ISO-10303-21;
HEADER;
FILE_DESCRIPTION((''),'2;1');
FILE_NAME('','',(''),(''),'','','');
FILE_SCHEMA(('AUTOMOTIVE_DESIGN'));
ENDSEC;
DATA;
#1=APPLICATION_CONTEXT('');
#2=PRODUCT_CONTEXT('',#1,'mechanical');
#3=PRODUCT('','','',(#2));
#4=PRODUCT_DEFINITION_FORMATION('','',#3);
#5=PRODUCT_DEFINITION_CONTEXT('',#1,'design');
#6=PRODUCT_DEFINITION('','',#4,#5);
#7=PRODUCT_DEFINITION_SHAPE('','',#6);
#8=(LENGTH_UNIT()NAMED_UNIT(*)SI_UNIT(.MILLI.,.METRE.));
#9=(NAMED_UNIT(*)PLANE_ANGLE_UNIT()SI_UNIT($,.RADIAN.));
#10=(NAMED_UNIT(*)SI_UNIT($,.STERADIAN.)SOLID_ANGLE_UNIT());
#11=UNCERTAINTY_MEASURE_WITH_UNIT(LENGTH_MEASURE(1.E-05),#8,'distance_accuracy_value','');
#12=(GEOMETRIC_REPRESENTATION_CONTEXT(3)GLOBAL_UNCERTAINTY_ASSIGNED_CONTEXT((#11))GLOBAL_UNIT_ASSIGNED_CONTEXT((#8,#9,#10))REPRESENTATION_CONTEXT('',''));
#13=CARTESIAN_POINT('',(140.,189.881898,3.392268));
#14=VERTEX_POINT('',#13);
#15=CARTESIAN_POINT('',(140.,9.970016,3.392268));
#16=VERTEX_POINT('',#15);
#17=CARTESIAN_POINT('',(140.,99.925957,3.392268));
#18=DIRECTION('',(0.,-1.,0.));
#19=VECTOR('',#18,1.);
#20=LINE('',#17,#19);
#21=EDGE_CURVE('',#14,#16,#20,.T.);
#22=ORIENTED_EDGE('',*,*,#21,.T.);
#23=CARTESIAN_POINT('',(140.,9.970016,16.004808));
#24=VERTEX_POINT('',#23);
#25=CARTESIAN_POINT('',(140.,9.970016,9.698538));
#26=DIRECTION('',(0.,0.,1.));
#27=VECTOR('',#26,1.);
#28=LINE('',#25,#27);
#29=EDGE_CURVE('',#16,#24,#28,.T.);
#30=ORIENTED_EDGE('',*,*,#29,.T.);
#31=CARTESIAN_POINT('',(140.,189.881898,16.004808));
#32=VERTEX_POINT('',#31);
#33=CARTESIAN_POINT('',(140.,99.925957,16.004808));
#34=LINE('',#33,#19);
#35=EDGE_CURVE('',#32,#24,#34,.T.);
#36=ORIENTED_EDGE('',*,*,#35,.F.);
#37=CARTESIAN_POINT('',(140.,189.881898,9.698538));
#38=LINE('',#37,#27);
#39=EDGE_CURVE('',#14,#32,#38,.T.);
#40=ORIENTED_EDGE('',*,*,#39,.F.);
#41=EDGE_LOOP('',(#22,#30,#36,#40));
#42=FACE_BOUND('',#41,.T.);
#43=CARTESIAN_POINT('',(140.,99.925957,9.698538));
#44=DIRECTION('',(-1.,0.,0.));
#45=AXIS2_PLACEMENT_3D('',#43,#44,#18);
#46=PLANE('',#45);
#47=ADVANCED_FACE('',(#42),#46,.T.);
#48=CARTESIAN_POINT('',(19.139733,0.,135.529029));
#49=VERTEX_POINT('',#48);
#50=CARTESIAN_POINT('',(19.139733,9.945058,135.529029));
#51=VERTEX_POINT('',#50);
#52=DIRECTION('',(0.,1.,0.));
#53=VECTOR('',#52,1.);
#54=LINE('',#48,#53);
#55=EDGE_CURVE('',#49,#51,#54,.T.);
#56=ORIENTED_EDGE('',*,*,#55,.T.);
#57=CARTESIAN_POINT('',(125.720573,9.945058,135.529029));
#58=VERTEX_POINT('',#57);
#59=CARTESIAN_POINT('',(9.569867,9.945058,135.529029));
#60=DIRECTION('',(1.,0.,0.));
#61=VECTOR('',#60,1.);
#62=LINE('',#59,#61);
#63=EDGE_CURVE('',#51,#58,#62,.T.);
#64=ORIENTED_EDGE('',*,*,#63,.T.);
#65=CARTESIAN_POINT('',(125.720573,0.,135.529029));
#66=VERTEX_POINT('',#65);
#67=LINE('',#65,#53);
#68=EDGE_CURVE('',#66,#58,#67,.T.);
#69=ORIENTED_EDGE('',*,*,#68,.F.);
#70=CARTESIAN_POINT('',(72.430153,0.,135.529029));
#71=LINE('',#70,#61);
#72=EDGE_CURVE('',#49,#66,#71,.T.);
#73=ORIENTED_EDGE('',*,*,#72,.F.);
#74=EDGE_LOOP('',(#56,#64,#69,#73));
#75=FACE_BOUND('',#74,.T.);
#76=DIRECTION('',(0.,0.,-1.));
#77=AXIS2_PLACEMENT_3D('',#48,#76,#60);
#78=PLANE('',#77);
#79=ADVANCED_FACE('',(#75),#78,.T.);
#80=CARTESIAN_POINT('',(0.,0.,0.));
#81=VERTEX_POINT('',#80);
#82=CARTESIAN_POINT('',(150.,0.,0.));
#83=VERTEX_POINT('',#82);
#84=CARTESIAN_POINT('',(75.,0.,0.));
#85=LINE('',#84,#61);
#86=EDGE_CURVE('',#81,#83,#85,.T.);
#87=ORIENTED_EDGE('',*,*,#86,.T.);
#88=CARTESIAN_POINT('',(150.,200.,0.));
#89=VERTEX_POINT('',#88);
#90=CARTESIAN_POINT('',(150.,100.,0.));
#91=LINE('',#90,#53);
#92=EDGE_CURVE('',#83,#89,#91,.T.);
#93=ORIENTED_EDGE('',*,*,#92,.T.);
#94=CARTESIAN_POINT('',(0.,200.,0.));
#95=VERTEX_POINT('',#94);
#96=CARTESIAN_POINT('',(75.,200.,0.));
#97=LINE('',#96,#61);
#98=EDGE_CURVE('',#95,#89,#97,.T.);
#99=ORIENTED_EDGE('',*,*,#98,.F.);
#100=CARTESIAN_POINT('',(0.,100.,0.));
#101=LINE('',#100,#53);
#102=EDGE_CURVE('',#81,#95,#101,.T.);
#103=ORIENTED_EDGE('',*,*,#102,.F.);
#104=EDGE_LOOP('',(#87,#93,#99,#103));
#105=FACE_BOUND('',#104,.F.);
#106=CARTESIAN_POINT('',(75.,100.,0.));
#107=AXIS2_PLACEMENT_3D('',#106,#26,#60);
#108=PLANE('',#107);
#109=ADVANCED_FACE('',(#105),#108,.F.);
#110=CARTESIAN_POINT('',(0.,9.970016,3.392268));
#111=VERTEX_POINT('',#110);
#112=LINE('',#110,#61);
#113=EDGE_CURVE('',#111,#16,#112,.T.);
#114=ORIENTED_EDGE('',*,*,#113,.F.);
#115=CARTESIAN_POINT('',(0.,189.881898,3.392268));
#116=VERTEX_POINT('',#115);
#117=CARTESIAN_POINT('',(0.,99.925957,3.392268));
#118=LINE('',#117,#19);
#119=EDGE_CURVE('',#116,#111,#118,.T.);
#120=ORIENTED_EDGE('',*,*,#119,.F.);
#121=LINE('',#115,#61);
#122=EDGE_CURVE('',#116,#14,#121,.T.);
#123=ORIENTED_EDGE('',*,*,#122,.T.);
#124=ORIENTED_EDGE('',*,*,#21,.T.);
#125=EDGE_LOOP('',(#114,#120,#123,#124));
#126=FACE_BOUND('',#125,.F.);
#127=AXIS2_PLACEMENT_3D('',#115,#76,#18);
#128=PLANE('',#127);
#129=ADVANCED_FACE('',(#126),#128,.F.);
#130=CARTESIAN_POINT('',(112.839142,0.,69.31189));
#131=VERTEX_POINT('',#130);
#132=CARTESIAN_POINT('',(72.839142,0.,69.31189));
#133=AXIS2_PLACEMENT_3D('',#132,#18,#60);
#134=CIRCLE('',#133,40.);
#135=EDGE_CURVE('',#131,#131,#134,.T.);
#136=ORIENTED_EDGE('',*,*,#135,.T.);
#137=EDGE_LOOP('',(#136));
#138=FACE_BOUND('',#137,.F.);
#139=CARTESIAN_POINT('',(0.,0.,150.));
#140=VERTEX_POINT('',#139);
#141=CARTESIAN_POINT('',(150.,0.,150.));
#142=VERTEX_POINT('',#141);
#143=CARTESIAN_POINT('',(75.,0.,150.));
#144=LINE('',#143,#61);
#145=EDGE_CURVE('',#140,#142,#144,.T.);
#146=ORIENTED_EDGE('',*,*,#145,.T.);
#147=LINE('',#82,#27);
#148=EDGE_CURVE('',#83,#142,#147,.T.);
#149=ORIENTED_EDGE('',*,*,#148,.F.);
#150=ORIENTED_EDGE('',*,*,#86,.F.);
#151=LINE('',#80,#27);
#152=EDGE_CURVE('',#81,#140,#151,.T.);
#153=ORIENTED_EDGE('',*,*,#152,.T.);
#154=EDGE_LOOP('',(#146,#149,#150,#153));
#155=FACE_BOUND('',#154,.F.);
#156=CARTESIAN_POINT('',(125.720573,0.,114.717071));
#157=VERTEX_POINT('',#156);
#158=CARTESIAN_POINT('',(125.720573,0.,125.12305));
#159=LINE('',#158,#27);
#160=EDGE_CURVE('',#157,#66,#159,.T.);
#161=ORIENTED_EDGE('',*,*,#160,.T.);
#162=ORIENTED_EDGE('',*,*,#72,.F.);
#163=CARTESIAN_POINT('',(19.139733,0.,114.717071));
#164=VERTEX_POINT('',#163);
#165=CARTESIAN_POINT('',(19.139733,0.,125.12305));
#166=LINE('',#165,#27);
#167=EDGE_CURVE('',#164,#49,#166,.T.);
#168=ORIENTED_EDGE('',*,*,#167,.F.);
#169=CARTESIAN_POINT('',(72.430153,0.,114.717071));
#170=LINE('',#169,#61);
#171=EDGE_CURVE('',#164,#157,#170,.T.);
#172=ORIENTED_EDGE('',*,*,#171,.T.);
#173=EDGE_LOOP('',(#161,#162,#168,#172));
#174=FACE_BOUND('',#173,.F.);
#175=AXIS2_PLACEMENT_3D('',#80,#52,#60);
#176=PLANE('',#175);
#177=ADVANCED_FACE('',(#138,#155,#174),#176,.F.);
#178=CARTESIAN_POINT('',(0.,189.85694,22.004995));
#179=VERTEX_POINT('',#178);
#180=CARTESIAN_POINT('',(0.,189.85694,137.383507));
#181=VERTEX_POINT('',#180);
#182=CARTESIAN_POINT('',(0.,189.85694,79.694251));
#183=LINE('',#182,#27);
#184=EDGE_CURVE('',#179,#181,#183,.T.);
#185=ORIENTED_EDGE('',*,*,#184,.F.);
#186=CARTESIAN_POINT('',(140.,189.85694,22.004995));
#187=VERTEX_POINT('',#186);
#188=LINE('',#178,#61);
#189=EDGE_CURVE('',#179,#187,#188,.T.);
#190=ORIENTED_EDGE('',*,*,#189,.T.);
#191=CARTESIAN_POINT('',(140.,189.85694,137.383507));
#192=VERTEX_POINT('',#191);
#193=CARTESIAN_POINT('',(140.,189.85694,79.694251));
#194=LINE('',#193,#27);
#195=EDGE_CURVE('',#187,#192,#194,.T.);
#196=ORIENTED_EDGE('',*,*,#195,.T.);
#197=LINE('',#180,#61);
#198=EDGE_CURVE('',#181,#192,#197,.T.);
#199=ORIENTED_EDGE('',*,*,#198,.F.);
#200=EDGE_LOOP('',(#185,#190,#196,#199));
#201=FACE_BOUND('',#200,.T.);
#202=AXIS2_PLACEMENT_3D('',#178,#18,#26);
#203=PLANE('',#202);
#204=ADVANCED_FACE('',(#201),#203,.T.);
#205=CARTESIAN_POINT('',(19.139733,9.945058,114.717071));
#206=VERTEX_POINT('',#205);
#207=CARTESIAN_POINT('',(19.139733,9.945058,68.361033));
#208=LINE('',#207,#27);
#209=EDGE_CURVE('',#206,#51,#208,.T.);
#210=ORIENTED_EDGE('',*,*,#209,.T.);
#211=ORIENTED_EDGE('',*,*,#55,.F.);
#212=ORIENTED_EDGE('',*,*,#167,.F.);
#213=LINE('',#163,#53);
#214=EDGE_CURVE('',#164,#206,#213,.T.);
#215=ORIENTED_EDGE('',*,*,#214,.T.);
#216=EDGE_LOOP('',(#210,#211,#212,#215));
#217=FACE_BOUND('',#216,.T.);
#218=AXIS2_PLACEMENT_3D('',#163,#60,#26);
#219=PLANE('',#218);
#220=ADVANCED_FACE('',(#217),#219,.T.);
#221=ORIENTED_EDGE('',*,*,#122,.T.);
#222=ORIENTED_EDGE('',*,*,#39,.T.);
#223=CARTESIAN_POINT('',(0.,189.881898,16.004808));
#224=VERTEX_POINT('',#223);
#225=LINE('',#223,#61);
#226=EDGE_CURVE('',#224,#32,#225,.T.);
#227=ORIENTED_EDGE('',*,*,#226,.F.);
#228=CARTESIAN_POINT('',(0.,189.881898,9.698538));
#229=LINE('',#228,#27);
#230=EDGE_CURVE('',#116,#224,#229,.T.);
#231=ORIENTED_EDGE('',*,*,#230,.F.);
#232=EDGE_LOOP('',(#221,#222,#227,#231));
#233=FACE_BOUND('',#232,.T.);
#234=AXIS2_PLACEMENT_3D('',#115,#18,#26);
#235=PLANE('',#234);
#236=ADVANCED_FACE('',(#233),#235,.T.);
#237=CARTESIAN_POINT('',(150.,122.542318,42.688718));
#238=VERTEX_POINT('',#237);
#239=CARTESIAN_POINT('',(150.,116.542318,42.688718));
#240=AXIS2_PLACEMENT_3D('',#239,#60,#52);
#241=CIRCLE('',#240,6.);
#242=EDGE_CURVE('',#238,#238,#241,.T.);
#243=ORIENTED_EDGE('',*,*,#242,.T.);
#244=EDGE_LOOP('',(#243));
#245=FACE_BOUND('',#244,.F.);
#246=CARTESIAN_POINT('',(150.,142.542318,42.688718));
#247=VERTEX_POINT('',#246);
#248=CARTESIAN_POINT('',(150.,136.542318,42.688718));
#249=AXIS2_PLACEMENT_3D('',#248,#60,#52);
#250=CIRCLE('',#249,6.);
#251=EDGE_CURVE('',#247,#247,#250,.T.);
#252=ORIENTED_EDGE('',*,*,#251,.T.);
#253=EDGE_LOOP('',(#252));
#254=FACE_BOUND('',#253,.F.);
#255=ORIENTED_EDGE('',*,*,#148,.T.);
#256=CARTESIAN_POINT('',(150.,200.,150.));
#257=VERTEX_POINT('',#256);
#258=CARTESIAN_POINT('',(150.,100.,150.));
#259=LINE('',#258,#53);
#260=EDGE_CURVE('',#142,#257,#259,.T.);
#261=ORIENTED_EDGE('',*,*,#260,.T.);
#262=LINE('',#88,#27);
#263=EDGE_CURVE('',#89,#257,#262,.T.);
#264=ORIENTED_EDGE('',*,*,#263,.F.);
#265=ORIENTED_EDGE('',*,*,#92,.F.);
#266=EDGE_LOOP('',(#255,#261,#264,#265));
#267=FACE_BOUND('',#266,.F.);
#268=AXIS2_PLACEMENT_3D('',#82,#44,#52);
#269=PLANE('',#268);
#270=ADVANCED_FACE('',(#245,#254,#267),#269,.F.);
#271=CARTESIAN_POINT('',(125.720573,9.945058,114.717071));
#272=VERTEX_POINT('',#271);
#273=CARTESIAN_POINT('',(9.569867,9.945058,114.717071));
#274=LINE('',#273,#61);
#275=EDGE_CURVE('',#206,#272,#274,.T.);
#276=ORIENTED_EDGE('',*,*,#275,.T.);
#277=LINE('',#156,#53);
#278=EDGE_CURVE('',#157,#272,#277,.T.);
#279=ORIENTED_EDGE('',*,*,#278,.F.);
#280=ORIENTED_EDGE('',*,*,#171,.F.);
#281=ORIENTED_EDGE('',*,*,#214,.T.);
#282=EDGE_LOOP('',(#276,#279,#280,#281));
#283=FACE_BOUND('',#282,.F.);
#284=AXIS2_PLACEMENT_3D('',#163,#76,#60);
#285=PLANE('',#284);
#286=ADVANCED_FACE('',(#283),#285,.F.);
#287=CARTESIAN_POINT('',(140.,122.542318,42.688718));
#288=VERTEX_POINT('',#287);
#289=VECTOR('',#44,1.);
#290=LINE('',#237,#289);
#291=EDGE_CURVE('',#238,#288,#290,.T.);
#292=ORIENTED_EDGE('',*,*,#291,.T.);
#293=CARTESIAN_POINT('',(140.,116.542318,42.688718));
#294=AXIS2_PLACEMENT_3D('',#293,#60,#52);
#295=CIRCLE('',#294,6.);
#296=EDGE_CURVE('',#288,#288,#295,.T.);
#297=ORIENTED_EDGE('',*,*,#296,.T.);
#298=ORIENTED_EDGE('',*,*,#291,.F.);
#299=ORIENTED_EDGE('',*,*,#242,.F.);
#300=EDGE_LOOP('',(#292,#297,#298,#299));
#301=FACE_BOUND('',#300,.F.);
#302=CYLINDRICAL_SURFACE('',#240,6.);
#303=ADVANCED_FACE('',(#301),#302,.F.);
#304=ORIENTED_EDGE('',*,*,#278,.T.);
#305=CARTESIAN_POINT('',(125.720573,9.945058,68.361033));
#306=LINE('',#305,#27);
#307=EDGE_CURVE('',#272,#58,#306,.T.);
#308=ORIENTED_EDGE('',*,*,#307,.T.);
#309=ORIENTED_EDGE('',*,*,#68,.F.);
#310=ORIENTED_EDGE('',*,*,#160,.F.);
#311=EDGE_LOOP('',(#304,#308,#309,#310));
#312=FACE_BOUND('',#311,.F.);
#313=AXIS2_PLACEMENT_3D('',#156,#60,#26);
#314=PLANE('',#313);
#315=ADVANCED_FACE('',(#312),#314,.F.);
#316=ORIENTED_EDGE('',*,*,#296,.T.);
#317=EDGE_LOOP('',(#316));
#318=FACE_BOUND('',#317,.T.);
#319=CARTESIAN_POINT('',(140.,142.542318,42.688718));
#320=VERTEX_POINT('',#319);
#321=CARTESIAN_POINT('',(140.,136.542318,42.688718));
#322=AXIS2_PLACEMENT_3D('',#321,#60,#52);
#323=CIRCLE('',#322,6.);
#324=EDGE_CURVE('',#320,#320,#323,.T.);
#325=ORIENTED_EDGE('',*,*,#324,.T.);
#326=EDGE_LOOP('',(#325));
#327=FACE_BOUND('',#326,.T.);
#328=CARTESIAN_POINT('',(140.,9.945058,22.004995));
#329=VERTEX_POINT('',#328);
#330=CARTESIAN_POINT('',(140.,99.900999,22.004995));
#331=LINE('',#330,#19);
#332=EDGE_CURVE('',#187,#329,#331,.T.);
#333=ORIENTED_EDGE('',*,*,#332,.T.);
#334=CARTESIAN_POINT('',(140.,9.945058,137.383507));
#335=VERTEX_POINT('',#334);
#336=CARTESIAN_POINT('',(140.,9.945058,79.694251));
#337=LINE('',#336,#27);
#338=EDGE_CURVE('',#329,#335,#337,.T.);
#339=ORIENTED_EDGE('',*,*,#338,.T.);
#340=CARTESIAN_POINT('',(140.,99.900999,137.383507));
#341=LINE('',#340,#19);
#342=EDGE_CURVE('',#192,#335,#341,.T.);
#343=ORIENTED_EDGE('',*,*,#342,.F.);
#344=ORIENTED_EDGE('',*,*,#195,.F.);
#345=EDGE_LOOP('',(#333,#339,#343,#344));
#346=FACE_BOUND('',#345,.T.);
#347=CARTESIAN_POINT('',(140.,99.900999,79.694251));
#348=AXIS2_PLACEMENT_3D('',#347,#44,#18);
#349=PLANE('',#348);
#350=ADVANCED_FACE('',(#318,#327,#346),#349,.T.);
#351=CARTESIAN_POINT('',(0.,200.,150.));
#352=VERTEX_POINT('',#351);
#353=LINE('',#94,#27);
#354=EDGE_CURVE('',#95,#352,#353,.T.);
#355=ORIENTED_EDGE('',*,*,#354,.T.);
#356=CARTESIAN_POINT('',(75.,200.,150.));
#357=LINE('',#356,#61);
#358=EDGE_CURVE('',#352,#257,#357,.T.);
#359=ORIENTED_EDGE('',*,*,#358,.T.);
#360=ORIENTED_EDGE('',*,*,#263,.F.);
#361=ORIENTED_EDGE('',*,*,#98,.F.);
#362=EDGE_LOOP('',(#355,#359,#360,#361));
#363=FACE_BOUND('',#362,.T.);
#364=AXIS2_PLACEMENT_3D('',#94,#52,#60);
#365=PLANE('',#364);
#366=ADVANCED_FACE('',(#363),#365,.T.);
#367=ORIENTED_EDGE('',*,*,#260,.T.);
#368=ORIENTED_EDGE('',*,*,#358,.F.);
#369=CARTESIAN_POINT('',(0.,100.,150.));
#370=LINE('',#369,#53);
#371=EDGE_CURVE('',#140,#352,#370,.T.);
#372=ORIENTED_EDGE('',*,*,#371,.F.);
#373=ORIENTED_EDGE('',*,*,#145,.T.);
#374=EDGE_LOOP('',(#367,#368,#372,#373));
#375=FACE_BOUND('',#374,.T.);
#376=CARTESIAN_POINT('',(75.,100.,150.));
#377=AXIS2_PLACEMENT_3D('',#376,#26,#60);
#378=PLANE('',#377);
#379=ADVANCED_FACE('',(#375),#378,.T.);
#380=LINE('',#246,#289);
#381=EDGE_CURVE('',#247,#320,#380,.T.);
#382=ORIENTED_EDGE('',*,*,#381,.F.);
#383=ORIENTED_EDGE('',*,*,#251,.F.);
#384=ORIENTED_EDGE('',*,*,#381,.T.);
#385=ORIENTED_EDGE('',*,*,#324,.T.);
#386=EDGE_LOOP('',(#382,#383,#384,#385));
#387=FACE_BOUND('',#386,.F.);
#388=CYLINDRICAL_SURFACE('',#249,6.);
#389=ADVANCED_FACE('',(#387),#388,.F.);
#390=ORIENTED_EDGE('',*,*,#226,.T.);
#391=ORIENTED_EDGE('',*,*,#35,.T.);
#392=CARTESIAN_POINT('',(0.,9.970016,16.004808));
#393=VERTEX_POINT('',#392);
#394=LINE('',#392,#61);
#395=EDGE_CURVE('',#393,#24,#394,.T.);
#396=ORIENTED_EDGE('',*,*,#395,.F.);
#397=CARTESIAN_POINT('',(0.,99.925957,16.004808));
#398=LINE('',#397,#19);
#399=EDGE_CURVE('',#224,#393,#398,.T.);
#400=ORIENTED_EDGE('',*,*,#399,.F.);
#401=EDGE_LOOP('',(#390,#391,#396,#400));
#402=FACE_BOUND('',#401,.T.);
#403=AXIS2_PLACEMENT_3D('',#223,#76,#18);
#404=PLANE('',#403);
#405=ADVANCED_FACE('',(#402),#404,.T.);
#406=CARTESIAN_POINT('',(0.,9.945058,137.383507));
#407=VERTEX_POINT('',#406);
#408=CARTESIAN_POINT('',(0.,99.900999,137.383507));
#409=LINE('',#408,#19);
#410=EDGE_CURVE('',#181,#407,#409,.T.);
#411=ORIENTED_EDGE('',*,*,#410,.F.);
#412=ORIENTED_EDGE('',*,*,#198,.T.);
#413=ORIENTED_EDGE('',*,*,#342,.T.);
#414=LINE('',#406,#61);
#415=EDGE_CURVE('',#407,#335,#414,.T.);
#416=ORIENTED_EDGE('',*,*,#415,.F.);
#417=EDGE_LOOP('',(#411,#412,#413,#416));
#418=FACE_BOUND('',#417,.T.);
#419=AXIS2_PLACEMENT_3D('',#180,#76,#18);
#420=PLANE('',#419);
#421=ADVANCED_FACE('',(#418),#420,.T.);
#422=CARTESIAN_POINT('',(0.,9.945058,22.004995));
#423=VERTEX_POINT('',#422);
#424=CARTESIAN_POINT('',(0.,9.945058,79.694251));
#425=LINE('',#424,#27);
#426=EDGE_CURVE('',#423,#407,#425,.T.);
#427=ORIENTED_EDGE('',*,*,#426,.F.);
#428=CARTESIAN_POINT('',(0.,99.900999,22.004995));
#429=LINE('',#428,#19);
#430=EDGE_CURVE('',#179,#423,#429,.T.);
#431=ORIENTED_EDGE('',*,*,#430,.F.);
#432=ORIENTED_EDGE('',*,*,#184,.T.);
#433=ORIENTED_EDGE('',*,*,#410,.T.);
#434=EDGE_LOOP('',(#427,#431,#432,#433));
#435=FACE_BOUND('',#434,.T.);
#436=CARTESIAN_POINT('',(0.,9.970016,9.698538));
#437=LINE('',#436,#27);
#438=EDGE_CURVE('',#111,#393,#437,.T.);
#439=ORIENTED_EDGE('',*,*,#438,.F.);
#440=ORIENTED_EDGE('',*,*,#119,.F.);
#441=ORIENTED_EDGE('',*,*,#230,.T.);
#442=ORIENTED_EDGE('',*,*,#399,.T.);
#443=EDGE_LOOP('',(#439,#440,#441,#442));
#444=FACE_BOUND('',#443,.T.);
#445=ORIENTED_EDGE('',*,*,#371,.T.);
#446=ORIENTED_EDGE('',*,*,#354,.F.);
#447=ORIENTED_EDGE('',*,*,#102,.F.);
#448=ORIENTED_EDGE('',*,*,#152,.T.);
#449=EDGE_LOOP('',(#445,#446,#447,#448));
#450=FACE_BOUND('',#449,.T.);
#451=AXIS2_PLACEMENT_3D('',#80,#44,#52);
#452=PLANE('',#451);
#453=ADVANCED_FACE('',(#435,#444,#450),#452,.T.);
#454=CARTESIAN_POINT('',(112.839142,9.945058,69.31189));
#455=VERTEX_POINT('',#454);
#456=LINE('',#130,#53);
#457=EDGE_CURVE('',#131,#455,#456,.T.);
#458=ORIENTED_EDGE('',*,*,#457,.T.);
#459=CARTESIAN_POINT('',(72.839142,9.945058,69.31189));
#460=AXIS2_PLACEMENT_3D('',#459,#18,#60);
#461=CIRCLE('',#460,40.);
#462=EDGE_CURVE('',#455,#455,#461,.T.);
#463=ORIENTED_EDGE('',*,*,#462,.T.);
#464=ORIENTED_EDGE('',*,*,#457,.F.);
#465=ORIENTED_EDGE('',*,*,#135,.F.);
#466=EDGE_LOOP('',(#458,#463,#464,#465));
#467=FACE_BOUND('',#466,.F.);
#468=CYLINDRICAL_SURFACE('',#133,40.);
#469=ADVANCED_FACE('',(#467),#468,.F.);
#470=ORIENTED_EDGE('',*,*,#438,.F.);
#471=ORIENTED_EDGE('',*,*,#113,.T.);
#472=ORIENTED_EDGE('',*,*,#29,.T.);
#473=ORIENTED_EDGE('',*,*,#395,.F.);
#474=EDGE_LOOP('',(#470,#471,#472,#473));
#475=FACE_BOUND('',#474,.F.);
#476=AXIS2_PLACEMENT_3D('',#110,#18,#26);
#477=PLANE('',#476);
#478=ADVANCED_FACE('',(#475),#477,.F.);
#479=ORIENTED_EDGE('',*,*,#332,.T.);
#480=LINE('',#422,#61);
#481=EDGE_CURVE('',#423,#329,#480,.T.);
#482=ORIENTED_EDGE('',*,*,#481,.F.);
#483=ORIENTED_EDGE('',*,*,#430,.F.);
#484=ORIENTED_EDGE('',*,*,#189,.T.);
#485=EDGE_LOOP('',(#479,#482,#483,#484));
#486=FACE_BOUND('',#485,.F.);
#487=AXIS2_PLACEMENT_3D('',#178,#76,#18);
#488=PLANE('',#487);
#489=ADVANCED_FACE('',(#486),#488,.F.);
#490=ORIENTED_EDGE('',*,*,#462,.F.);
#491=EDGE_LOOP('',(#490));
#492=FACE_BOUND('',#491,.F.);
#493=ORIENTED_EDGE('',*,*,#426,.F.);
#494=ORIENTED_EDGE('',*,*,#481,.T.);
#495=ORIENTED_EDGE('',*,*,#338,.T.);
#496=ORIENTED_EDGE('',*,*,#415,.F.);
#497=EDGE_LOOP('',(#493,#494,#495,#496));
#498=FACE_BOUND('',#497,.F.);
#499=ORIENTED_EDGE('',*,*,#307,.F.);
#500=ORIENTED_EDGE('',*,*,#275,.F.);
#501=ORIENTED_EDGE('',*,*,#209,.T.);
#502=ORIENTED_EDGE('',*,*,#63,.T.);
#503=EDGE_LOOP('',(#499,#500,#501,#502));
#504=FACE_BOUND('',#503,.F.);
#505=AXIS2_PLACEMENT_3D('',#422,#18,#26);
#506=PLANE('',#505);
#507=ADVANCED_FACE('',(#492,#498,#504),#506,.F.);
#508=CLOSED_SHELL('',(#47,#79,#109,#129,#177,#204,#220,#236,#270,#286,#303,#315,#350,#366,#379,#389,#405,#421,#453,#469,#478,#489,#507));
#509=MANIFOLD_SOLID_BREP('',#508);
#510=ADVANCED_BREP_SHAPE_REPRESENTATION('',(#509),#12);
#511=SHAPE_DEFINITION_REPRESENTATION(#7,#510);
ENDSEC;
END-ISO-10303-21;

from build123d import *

# Parameters (mm, degrees)
BOX_W           = 150
BOX_H           = 200
BOX_DEPTH       = 150
SKETCH_W        = 179.911882
SKETCH_H        = 115.378512
SKETCH_W_2      = 179.911881
SKETCH_H_2      = 12.61254
POCKET_DEPTH    = 140
SKETCH001_R     = 40
SKETCH001_W     = 594.158722
SKETCH001_H     = 187.959229
SKETCH001_W_2   = 106.580839
SKETCH001_H_2   = 20.811958
POCKET001_DEPTH = 20
SKETCH002_R     = 6
POCKET002_DEPTH = 20


with BuildPart() as part:
    # Box → Box (new body)
    with BuildSketch(Plane.XY):
        with Locations((75, 100)):
            Rectangle(BOX_W, BOX_H)
    extrude(amount=BOX_DEPTH)

    # Sketch → Pocket (cut)
    with BuildSketch(Plane(origin=(0, 0, 0), x_dir=(0, -1, 0), z_dir=(-1, 0, 0))):
        with Locations((-99.900999, 79.694251)):
            Rectangle(SKETCH_W, SKETCH_H)
        with Locations((-99.925957, 9.698538)):
            Rectangle(SKETCH_W_2, SKETCH_H_2)
    extrude(amount=-POCKET_DEPTH, mode=Mode.SUBTRACT)

    # Sketch001 → Pocket001 (cut)
    with BuildSketch(Plane.XZ):
        with Locations((72.839142, 69.31189)):
            Circle(SKETCH001_R)
        with Locations((757.154067, 877.348939)):
            Rectangle(SKETCH001_W, SKETCH001_H)
        with Locations((72.430153, 125.12305)):
            Rectangle(SKETCH001_W_2, SKETCH001_H_2)
    extrude(amount=-POCKET001_DEPTH, mode=Mode.SUBTRACT)

    # Sketch002 → Pocket002 (cut)
    with BuildSketch(Plane.YZ.offset(150)):
        with Locations((116.542318, 42.688718)):
            Circle(SKETCH002_R)
        with Locations((136.542318, 42.688718)):
            Circle(SKETCH002_R)
    extrude(amount=-POCKET002_DEPTH, mode=Mode.SUBTRACT)


solid = part.part
